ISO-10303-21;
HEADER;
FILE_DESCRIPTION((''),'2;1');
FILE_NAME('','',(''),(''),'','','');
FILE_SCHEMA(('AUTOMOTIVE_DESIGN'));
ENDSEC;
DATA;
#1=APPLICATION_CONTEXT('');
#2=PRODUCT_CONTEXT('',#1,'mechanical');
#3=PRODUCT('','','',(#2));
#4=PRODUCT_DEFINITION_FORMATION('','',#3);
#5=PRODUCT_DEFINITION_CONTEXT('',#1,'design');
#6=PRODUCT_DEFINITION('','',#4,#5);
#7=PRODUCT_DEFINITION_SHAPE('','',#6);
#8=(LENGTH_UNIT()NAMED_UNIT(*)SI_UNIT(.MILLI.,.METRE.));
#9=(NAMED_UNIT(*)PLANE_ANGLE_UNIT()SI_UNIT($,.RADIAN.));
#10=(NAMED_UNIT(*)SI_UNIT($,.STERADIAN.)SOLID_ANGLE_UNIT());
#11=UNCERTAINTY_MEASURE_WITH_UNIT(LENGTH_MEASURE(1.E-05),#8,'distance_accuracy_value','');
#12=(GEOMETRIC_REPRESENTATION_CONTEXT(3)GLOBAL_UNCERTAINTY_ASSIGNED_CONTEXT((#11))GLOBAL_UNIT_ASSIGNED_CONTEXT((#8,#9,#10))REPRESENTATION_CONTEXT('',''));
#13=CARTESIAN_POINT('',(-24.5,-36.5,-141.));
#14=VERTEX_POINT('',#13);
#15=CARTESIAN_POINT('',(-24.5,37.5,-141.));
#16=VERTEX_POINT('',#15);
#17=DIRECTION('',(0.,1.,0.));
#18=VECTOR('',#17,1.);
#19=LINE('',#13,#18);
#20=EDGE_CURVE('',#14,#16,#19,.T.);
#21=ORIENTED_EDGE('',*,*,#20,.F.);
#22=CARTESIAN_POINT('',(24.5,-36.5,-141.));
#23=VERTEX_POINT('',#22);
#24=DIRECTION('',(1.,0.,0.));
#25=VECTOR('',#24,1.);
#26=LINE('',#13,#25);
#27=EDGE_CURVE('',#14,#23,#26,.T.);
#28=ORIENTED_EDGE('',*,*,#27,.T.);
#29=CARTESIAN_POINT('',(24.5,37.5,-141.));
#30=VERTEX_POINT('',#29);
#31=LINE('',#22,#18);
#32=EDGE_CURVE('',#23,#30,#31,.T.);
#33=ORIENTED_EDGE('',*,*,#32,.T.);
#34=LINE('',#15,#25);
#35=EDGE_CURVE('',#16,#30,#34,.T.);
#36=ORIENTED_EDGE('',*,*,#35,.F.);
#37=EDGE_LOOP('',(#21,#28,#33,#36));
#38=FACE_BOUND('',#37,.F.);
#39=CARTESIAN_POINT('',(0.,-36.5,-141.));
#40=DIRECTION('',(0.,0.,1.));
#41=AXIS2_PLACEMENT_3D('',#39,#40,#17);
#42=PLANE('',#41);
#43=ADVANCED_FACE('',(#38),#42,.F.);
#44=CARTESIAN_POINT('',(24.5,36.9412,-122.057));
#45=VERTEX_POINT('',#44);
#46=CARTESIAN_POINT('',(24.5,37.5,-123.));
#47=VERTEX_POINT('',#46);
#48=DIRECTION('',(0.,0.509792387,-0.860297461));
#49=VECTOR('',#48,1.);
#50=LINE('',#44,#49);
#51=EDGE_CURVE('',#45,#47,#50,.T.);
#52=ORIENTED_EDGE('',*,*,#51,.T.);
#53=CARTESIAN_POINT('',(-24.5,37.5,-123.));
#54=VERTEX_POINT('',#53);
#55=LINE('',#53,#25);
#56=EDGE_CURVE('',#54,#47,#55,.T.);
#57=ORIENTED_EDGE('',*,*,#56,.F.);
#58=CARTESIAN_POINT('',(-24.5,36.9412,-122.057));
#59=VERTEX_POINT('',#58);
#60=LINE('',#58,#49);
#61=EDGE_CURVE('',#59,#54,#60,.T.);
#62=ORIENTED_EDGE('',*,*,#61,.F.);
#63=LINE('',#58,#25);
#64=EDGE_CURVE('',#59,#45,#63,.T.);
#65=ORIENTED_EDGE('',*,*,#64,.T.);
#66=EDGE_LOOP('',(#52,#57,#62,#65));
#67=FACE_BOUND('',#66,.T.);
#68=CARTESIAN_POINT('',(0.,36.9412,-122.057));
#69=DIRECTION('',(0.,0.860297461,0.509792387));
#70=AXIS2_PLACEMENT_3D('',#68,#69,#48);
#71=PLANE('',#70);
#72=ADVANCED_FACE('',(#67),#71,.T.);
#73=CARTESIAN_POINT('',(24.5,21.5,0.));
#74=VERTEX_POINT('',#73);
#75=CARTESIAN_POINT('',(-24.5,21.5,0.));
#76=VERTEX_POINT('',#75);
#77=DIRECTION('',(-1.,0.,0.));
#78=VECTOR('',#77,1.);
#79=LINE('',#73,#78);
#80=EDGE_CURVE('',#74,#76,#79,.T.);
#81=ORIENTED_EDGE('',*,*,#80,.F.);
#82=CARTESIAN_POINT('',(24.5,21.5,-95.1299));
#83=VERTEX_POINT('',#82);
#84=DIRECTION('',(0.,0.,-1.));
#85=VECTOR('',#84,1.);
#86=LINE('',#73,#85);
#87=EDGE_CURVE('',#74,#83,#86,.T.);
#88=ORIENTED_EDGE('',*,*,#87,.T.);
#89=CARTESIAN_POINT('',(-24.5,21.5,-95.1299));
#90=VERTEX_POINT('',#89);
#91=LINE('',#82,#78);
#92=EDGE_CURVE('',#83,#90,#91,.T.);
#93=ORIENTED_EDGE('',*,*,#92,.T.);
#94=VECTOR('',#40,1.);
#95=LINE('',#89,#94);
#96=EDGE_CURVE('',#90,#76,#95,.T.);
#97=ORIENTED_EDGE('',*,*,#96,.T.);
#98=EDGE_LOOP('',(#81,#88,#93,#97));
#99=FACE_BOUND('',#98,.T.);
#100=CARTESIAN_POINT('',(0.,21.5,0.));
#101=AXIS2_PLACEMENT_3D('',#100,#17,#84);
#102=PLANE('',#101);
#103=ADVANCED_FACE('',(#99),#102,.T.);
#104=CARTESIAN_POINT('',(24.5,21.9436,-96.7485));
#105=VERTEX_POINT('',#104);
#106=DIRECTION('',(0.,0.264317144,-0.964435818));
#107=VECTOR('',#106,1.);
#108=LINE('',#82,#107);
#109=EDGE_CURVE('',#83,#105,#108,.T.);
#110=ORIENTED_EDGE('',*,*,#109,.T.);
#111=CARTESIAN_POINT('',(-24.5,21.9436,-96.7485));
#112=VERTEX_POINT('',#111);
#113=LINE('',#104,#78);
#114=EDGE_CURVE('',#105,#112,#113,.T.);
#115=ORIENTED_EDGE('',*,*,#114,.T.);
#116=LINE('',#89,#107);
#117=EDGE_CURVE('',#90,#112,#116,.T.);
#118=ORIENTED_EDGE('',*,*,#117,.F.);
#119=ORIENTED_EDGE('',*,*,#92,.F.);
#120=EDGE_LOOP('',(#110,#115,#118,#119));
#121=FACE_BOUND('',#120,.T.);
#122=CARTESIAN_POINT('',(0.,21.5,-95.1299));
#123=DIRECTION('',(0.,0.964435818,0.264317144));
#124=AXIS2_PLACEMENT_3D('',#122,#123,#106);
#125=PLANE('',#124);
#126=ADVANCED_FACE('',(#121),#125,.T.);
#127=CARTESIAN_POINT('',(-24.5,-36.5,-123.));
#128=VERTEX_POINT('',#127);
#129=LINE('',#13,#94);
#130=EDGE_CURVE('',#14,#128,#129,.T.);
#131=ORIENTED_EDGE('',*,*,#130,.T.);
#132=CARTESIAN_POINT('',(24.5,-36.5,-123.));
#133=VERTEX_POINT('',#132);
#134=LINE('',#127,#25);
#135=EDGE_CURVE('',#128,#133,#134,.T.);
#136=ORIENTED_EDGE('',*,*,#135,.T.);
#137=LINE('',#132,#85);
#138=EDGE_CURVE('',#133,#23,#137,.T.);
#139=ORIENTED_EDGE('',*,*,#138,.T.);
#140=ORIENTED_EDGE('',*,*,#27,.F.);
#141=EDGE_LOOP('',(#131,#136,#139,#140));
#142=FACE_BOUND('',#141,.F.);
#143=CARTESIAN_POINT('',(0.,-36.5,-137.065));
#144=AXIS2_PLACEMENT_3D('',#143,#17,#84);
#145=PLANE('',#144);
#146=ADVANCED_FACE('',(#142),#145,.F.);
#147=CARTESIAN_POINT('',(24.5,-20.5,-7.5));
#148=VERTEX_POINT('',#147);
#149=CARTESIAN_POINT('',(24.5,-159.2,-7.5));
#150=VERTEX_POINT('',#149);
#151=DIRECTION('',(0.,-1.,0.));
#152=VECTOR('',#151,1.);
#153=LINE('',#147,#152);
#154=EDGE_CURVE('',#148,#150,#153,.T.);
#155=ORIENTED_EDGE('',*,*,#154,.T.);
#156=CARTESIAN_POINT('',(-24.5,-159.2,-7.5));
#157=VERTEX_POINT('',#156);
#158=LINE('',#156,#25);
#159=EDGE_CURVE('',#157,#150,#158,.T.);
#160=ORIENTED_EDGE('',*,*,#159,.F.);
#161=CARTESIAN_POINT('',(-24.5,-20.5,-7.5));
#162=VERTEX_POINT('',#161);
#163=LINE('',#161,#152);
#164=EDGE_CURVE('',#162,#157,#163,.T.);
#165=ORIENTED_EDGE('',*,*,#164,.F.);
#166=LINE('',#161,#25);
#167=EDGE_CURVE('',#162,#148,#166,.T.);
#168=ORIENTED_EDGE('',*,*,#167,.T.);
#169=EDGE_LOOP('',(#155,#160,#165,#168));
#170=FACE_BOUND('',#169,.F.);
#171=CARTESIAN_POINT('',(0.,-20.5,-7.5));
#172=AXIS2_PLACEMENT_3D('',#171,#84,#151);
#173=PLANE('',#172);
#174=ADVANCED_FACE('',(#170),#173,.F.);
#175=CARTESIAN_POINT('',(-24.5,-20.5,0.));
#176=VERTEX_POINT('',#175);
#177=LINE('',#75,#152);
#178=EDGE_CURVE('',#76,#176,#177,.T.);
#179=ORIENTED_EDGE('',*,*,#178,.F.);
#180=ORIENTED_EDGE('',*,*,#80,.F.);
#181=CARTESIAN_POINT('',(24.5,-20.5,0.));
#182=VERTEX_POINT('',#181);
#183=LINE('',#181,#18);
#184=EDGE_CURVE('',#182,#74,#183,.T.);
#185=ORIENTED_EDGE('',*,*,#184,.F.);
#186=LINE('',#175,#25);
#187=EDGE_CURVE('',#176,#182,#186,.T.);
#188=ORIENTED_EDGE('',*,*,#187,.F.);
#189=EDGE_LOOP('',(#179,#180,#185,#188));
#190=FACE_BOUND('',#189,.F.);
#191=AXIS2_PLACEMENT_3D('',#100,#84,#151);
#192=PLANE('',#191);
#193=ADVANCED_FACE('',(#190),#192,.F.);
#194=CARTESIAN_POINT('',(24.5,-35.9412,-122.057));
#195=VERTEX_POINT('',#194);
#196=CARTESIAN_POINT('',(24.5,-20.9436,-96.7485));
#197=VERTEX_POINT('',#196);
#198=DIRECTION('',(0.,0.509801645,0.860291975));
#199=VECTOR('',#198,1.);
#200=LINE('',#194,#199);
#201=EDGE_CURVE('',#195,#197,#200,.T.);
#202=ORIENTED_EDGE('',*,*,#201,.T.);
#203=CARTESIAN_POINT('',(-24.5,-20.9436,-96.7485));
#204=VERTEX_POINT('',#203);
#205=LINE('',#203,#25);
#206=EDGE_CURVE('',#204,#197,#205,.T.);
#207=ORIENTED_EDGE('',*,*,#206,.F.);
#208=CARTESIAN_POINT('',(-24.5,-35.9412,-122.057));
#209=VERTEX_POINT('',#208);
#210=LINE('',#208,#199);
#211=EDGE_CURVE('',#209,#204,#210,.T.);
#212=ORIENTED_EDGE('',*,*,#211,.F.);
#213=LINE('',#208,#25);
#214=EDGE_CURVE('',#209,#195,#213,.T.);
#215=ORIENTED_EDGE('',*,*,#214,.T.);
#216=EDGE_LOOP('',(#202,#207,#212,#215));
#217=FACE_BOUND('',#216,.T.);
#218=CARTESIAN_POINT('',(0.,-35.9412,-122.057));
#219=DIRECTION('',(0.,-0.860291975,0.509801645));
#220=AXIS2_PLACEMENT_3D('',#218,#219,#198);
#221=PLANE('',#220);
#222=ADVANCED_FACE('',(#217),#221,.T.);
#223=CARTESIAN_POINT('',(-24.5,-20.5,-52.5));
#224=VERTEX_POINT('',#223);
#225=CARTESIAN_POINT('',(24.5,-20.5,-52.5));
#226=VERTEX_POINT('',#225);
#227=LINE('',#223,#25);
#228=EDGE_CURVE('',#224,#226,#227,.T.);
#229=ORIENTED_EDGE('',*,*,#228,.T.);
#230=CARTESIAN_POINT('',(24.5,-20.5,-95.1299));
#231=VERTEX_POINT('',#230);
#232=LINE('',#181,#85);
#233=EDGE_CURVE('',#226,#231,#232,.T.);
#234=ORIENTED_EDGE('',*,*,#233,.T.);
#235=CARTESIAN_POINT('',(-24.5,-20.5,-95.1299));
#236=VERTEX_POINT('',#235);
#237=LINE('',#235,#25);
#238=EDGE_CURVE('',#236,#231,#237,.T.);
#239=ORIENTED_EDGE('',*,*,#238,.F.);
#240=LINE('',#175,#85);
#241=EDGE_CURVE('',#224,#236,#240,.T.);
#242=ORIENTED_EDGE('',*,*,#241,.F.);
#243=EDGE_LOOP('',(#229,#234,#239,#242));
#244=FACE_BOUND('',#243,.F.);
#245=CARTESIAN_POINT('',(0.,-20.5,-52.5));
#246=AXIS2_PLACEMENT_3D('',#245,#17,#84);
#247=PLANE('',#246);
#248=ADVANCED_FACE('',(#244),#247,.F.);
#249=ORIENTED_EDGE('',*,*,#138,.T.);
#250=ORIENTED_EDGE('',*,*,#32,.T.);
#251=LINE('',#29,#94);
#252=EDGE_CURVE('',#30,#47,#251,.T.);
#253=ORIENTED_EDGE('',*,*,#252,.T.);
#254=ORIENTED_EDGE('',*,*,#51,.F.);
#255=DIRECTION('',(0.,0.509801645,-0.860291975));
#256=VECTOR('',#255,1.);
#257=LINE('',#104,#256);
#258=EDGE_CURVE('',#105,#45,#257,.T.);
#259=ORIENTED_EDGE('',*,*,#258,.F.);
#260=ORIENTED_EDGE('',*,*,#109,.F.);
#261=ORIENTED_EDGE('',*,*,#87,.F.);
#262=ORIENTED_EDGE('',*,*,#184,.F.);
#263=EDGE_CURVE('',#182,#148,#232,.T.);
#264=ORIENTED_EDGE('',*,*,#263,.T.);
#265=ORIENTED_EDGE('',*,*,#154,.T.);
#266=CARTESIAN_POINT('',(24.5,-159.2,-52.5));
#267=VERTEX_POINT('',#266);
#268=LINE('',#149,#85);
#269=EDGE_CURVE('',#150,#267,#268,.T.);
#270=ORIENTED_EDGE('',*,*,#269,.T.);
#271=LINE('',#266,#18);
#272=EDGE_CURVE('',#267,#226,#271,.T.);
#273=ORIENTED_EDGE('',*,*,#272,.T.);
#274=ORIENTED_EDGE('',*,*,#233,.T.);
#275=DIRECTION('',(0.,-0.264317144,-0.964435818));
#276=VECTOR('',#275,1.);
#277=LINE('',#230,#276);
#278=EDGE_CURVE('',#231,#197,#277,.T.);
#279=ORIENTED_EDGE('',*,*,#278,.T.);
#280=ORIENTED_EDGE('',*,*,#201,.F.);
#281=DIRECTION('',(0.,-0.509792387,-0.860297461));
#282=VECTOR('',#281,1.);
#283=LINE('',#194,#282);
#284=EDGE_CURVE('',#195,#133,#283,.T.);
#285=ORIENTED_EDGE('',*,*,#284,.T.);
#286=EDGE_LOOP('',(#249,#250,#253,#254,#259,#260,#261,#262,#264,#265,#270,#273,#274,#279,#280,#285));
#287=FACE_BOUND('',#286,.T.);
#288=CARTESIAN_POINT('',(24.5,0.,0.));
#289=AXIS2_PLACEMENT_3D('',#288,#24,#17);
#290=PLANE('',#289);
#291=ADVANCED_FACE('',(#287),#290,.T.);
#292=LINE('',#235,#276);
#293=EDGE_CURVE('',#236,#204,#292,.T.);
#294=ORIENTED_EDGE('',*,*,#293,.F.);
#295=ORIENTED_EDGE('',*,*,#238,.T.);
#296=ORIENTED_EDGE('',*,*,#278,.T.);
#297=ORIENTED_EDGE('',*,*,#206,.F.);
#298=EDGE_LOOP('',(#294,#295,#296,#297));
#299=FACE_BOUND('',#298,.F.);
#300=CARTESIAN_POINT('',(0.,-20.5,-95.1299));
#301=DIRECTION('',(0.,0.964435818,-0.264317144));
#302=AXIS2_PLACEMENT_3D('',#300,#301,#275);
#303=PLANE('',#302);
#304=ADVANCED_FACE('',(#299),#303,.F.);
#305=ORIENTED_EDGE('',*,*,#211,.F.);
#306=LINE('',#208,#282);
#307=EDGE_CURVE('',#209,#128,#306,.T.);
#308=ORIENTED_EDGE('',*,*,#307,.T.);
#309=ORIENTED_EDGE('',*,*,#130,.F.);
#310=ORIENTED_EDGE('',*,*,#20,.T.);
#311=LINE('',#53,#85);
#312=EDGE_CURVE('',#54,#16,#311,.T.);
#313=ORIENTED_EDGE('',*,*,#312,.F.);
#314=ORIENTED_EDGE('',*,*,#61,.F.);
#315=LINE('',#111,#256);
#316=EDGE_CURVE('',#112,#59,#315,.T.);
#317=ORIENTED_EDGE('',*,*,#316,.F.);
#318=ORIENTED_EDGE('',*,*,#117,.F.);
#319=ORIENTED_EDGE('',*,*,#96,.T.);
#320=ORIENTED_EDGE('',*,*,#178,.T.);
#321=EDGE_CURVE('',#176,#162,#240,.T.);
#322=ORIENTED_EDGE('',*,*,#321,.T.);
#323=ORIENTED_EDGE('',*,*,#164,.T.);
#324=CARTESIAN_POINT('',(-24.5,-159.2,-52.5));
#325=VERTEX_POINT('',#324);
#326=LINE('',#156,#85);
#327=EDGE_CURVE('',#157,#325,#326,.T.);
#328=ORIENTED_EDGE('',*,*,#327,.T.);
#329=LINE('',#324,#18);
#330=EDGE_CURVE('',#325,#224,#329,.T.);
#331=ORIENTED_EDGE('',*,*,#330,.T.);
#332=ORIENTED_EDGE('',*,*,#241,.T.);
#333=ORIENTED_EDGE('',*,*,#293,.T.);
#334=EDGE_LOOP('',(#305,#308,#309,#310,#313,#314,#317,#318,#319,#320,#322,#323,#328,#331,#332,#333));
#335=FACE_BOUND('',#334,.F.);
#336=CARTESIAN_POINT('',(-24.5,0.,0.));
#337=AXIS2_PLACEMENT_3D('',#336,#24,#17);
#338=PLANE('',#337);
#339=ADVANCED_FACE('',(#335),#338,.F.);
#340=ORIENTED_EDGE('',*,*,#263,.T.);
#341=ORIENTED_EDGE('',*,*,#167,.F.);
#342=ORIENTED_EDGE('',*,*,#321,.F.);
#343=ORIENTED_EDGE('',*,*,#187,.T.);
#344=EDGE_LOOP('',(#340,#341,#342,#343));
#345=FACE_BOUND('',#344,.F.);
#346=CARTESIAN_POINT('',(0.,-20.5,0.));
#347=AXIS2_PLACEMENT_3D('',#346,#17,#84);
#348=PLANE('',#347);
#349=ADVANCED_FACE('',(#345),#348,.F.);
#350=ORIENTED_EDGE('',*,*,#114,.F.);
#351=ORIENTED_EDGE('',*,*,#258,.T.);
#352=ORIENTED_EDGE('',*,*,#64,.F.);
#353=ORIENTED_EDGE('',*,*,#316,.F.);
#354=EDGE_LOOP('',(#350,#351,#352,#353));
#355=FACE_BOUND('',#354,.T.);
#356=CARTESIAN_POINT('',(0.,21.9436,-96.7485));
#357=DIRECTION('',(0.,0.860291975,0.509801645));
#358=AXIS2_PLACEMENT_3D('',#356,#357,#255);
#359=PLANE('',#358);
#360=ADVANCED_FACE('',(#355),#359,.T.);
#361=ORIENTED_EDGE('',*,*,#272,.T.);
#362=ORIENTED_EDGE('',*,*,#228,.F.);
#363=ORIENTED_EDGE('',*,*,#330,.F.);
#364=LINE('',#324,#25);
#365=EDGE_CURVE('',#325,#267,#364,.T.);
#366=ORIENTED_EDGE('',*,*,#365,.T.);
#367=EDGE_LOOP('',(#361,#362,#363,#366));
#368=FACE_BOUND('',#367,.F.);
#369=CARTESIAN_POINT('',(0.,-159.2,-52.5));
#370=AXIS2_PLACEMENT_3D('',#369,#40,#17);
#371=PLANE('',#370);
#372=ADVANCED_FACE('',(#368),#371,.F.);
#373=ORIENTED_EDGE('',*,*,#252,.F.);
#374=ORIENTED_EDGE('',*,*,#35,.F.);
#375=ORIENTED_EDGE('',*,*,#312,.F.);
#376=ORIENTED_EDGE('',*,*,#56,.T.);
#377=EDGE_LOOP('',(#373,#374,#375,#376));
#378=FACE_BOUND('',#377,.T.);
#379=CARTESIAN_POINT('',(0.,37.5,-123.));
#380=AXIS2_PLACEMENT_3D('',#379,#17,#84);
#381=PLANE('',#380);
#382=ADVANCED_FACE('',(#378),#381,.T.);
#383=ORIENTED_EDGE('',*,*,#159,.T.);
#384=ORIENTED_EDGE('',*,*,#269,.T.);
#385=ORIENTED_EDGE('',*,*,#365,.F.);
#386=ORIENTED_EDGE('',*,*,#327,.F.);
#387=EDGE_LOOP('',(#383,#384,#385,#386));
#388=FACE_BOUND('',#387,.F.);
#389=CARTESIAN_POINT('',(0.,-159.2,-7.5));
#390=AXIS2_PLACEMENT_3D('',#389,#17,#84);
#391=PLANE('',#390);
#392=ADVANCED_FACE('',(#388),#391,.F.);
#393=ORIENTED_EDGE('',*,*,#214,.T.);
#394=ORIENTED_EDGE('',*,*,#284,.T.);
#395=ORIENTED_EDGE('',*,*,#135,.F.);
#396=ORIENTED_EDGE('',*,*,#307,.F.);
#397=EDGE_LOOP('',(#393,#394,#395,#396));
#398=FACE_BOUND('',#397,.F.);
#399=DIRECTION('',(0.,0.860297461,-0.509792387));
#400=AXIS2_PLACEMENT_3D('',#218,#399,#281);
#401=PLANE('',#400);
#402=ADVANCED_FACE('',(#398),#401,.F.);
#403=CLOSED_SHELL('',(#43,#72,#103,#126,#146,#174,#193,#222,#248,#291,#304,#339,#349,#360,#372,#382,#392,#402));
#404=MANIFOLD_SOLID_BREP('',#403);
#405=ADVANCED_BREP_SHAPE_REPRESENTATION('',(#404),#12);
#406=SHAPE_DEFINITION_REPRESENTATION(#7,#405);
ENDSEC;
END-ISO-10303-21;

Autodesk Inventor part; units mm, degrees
ref_plane "YZ Plane" through (0, 0, 0) normal (1, 0, 0) x (0, 1, 0)
ref_plane "XZ Plane" through (0, 0, 0) normal (0, 1, 0) x (-1, 0, 0)
ref_plane "XY Plane" through (0, 0, 0) normal (0, 0, 1) x (1, 0, 0)
sketch "Sketch1" plane through (0, 0, 0) normal (1, 0, 0) x (0, 1, 0)
  line L0 (16, 0) -> (-16, 0)
  line L1 (16, 0) -> (-16, 0) construction
  line L2 (21.5, 0) -> (16, 0)
  line L3 (21.9436, -96.7485) -> (36.9412, -122.057)
  line L4 (21.5, -4) -> (21.5, -95.1299)
  line L5 (21.5, -95.1299) -> (21.9436, -96.7485)
  line L6 (37.5, -124.0962) -> (37.5, -137.065)
  line L7 (36.9412, -122.057) -> (37.5, -123)
  line L8 (37.5, -123) -> (37.5, -124.0962)
  arc A0 (37.5, -124.0962) -> (36.9412, -122.057) centre (33.5, -124.0962) ccw construction
  line L9 (-16, 0) -> (-20.5, 0)
  line L10 (-20.5, 0) -> (-20.5, -95.1299)
  line L11 (-20.5, -95.1299) -> (-20.5, -4) construction
  line L12 (-20.5, -7.5) -> (-159.2, -7.5)
  line L13 (-159.2, -7.5) -> (-159.2, -52.5)
  line L14 (-159.2, -52.5) -> (-20.5, -52.5)
  line L15 (-73.4, -7.5) -> (-107.4, -7.5) construction
  line L16 (-73.4, -52.5) -> (-107.4, -52.5) construction
  line L17 (-159.2, -35.5) -> (-159.2, -24.5) construction
  line L18 (-35.9412, -122.057) -> (-20.9436, -96.7485)
  line L19 (-20.5, -95.1299) -> (-20.9436, -96.7485)
  line L20 (-36.5, -137.065) -> (-36.5, -124.0962)
  arc A1 (-35.9412, -122.057) -> (-36.5, -124.0962) centre (-32.5, -124.0962) ccw construction
  line L21 (-35.9412, -122.057) -> (-36.5, -123)
  line L22 (-36.5, -123) -> (-36.5, -124.0962)
  line L23 (-36.5, -137.065) -> (-36.5, -141)
  line L24 (-36.5, -141) -> (37.5, -141)
  line L25 (37.5, -141) -> (37.5, -137.065)
  line L26 (-36.5, -139.095) -> (-36.5, -141) construction
  line L27 (37.5, -141) -> (37.5, -139.095) construction
  line L28 (-33.325, -141) -> (34.325, -141) construction
  line L29 (21.5, 0) -> (21.5, -4)
  point P0 (0, 0)
  point P1 (0, 0)
  point P2 (21.5, -10)
  point P3 (16, 0)
  point P4 (-20.5, -52.5)
extrude "Extrusion3" add sketch "Sketch1" along normal mid plane 49
properties part number "BaseBoundingBox"
